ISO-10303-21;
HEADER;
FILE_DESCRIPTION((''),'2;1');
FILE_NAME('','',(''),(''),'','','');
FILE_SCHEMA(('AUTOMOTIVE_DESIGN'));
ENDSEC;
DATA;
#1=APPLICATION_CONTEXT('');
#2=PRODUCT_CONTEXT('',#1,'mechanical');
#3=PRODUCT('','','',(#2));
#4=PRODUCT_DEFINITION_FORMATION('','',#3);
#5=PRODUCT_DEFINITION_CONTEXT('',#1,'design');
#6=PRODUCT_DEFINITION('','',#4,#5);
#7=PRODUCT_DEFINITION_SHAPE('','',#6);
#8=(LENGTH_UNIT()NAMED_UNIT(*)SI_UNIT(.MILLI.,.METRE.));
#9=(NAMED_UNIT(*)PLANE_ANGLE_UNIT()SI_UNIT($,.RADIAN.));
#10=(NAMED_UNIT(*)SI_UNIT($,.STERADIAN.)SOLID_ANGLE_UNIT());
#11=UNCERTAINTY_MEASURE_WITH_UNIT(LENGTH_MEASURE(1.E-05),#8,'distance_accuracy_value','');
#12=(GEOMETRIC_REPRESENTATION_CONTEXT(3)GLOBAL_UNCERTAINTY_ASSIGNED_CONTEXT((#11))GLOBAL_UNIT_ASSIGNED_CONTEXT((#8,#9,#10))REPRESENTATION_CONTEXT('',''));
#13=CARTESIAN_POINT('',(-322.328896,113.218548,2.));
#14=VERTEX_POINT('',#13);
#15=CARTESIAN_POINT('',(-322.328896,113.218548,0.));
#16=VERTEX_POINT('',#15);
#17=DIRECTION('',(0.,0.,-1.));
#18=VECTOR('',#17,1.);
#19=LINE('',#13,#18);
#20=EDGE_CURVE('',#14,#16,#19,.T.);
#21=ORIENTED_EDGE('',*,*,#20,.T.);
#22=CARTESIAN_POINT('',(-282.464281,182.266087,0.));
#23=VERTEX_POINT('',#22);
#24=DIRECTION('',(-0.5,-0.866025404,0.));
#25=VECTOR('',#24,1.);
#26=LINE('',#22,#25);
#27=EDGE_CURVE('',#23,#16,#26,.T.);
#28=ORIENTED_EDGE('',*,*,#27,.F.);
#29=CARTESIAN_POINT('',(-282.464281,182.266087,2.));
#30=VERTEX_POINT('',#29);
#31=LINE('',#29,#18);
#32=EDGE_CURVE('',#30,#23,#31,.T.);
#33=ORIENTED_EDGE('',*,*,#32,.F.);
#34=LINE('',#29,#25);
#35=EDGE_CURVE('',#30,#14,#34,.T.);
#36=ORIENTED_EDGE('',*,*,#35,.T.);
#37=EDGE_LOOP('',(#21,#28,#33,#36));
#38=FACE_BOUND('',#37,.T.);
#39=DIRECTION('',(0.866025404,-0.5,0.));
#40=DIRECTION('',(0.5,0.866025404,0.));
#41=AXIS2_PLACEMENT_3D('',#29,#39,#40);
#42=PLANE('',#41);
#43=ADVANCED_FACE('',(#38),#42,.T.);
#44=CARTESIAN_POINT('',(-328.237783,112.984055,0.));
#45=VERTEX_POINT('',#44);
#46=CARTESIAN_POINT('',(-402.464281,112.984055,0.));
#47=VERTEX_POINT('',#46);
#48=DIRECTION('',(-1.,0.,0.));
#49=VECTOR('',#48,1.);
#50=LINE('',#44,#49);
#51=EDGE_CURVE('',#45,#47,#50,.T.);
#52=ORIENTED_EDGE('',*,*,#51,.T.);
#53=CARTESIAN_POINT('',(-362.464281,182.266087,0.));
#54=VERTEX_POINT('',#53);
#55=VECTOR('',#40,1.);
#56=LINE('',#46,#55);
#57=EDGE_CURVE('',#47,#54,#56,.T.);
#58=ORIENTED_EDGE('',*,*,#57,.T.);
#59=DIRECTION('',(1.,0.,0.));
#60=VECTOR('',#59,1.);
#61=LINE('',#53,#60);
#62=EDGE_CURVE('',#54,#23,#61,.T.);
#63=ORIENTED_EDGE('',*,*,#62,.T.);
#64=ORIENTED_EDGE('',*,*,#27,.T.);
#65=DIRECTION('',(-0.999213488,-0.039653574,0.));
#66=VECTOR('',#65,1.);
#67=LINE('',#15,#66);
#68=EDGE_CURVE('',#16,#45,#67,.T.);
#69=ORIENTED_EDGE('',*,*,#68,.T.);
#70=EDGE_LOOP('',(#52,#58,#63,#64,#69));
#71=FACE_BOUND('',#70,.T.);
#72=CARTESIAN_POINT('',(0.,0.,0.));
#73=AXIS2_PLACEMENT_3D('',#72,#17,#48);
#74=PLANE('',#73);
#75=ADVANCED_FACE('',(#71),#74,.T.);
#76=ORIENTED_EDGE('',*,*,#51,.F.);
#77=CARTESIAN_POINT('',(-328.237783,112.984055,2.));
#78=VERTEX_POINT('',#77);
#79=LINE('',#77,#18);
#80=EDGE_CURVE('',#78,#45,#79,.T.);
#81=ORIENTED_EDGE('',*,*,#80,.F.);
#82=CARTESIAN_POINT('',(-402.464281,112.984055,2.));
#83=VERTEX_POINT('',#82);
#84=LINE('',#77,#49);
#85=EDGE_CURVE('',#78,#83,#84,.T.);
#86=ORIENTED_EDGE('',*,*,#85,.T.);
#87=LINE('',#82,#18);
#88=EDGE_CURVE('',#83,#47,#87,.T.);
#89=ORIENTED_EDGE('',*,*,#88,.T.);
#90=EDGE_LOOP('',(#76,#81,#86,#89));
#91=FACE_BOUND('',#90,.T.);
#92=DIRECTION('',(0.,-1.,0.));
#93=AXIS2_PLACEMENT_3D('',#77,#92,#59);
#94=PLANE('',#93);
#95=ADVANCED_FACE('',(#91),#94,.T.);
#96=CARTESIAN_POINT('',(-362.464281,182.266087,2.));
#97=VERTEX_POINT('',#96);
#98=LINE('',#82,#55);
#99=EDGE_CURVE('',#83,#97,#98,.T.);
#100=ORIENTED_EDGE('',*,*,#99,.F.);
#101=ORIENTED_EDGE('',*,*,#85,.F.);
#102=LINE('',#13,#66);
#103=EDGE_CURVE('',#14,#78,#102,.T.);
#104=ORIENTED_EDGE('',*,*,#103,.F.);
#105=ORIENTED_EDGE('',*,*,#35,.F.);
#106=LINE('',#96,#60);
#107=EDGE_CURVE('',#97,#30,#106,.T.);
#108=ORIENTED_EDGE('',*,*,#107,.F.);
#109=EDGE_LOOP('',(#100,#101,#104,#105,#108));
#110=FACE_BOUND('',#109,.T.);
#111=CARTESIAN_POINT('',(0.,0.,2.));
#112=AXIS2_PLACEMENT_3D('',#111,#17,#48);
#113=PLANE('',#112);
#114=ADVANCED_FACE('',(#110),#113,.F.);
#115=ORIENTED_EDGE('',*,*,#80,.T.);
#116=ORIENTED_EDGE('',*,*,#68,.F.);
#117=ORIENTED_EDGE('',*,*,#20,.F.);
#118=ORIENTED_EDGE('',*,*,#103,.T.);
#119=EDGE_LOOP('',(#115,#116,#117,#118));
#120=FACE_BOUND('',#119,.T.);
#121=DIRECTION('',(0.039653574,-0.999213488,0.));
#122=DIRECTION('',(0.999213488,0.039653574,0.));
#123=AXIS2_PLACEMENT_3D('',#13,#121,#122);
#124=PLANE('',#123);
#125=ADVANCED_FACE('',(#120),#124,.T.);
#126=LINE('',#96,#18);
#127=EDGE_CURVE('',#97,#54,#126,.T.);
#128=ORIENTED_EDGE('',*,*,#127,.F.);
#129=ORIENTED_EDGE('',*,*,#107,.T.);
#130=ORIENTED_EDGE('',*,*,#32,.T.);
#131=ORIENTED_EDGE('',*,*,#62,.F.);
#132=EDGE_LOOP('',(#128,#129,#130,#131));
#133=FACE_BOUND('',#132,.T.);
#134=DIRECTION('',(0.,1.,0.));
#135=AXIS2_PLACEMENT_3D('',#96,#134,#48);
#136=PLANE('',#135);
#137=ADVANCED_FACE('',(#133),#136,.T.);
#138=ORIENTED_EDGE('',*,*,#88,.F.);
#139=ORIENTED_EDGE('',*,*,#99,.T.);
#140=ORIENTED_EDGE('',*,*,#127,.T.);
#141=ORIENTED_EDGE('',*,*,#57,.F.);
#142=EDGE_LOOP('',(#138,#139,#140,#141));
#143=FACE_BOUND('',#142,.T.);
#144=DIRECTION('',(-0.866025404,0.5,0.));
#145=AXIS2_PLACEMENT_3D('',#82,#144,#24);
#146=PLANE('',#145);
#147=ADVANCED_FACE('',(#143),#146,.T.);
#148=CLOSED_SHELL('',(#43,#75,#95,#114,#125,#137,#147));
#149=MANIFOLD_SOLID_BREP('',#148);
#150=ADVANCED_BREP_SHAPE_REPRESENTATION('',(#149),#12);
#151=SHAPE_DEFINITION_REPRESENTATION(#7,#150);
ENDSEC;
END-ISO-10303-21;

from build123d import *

# Parameters (mm, degrees)
BOSS_EXTRUDE1_DEPTH = 2


with BuildPart() as part:
    # Sketch1 → Boss-Extrude1 (new body)
    with BuildSketch(Plane.XY):
        Polygon((-328.237783231, 112.984054613), (-402.464280539, 112.984054613), (-362.464280539, 182.266086915), (-282.464280539, 182.266086915), (-322.328895982, 113.218547543), align=None)
    extrude(amount=BOSS_EXTRUDE1_DEPTH)


solid = part.part
